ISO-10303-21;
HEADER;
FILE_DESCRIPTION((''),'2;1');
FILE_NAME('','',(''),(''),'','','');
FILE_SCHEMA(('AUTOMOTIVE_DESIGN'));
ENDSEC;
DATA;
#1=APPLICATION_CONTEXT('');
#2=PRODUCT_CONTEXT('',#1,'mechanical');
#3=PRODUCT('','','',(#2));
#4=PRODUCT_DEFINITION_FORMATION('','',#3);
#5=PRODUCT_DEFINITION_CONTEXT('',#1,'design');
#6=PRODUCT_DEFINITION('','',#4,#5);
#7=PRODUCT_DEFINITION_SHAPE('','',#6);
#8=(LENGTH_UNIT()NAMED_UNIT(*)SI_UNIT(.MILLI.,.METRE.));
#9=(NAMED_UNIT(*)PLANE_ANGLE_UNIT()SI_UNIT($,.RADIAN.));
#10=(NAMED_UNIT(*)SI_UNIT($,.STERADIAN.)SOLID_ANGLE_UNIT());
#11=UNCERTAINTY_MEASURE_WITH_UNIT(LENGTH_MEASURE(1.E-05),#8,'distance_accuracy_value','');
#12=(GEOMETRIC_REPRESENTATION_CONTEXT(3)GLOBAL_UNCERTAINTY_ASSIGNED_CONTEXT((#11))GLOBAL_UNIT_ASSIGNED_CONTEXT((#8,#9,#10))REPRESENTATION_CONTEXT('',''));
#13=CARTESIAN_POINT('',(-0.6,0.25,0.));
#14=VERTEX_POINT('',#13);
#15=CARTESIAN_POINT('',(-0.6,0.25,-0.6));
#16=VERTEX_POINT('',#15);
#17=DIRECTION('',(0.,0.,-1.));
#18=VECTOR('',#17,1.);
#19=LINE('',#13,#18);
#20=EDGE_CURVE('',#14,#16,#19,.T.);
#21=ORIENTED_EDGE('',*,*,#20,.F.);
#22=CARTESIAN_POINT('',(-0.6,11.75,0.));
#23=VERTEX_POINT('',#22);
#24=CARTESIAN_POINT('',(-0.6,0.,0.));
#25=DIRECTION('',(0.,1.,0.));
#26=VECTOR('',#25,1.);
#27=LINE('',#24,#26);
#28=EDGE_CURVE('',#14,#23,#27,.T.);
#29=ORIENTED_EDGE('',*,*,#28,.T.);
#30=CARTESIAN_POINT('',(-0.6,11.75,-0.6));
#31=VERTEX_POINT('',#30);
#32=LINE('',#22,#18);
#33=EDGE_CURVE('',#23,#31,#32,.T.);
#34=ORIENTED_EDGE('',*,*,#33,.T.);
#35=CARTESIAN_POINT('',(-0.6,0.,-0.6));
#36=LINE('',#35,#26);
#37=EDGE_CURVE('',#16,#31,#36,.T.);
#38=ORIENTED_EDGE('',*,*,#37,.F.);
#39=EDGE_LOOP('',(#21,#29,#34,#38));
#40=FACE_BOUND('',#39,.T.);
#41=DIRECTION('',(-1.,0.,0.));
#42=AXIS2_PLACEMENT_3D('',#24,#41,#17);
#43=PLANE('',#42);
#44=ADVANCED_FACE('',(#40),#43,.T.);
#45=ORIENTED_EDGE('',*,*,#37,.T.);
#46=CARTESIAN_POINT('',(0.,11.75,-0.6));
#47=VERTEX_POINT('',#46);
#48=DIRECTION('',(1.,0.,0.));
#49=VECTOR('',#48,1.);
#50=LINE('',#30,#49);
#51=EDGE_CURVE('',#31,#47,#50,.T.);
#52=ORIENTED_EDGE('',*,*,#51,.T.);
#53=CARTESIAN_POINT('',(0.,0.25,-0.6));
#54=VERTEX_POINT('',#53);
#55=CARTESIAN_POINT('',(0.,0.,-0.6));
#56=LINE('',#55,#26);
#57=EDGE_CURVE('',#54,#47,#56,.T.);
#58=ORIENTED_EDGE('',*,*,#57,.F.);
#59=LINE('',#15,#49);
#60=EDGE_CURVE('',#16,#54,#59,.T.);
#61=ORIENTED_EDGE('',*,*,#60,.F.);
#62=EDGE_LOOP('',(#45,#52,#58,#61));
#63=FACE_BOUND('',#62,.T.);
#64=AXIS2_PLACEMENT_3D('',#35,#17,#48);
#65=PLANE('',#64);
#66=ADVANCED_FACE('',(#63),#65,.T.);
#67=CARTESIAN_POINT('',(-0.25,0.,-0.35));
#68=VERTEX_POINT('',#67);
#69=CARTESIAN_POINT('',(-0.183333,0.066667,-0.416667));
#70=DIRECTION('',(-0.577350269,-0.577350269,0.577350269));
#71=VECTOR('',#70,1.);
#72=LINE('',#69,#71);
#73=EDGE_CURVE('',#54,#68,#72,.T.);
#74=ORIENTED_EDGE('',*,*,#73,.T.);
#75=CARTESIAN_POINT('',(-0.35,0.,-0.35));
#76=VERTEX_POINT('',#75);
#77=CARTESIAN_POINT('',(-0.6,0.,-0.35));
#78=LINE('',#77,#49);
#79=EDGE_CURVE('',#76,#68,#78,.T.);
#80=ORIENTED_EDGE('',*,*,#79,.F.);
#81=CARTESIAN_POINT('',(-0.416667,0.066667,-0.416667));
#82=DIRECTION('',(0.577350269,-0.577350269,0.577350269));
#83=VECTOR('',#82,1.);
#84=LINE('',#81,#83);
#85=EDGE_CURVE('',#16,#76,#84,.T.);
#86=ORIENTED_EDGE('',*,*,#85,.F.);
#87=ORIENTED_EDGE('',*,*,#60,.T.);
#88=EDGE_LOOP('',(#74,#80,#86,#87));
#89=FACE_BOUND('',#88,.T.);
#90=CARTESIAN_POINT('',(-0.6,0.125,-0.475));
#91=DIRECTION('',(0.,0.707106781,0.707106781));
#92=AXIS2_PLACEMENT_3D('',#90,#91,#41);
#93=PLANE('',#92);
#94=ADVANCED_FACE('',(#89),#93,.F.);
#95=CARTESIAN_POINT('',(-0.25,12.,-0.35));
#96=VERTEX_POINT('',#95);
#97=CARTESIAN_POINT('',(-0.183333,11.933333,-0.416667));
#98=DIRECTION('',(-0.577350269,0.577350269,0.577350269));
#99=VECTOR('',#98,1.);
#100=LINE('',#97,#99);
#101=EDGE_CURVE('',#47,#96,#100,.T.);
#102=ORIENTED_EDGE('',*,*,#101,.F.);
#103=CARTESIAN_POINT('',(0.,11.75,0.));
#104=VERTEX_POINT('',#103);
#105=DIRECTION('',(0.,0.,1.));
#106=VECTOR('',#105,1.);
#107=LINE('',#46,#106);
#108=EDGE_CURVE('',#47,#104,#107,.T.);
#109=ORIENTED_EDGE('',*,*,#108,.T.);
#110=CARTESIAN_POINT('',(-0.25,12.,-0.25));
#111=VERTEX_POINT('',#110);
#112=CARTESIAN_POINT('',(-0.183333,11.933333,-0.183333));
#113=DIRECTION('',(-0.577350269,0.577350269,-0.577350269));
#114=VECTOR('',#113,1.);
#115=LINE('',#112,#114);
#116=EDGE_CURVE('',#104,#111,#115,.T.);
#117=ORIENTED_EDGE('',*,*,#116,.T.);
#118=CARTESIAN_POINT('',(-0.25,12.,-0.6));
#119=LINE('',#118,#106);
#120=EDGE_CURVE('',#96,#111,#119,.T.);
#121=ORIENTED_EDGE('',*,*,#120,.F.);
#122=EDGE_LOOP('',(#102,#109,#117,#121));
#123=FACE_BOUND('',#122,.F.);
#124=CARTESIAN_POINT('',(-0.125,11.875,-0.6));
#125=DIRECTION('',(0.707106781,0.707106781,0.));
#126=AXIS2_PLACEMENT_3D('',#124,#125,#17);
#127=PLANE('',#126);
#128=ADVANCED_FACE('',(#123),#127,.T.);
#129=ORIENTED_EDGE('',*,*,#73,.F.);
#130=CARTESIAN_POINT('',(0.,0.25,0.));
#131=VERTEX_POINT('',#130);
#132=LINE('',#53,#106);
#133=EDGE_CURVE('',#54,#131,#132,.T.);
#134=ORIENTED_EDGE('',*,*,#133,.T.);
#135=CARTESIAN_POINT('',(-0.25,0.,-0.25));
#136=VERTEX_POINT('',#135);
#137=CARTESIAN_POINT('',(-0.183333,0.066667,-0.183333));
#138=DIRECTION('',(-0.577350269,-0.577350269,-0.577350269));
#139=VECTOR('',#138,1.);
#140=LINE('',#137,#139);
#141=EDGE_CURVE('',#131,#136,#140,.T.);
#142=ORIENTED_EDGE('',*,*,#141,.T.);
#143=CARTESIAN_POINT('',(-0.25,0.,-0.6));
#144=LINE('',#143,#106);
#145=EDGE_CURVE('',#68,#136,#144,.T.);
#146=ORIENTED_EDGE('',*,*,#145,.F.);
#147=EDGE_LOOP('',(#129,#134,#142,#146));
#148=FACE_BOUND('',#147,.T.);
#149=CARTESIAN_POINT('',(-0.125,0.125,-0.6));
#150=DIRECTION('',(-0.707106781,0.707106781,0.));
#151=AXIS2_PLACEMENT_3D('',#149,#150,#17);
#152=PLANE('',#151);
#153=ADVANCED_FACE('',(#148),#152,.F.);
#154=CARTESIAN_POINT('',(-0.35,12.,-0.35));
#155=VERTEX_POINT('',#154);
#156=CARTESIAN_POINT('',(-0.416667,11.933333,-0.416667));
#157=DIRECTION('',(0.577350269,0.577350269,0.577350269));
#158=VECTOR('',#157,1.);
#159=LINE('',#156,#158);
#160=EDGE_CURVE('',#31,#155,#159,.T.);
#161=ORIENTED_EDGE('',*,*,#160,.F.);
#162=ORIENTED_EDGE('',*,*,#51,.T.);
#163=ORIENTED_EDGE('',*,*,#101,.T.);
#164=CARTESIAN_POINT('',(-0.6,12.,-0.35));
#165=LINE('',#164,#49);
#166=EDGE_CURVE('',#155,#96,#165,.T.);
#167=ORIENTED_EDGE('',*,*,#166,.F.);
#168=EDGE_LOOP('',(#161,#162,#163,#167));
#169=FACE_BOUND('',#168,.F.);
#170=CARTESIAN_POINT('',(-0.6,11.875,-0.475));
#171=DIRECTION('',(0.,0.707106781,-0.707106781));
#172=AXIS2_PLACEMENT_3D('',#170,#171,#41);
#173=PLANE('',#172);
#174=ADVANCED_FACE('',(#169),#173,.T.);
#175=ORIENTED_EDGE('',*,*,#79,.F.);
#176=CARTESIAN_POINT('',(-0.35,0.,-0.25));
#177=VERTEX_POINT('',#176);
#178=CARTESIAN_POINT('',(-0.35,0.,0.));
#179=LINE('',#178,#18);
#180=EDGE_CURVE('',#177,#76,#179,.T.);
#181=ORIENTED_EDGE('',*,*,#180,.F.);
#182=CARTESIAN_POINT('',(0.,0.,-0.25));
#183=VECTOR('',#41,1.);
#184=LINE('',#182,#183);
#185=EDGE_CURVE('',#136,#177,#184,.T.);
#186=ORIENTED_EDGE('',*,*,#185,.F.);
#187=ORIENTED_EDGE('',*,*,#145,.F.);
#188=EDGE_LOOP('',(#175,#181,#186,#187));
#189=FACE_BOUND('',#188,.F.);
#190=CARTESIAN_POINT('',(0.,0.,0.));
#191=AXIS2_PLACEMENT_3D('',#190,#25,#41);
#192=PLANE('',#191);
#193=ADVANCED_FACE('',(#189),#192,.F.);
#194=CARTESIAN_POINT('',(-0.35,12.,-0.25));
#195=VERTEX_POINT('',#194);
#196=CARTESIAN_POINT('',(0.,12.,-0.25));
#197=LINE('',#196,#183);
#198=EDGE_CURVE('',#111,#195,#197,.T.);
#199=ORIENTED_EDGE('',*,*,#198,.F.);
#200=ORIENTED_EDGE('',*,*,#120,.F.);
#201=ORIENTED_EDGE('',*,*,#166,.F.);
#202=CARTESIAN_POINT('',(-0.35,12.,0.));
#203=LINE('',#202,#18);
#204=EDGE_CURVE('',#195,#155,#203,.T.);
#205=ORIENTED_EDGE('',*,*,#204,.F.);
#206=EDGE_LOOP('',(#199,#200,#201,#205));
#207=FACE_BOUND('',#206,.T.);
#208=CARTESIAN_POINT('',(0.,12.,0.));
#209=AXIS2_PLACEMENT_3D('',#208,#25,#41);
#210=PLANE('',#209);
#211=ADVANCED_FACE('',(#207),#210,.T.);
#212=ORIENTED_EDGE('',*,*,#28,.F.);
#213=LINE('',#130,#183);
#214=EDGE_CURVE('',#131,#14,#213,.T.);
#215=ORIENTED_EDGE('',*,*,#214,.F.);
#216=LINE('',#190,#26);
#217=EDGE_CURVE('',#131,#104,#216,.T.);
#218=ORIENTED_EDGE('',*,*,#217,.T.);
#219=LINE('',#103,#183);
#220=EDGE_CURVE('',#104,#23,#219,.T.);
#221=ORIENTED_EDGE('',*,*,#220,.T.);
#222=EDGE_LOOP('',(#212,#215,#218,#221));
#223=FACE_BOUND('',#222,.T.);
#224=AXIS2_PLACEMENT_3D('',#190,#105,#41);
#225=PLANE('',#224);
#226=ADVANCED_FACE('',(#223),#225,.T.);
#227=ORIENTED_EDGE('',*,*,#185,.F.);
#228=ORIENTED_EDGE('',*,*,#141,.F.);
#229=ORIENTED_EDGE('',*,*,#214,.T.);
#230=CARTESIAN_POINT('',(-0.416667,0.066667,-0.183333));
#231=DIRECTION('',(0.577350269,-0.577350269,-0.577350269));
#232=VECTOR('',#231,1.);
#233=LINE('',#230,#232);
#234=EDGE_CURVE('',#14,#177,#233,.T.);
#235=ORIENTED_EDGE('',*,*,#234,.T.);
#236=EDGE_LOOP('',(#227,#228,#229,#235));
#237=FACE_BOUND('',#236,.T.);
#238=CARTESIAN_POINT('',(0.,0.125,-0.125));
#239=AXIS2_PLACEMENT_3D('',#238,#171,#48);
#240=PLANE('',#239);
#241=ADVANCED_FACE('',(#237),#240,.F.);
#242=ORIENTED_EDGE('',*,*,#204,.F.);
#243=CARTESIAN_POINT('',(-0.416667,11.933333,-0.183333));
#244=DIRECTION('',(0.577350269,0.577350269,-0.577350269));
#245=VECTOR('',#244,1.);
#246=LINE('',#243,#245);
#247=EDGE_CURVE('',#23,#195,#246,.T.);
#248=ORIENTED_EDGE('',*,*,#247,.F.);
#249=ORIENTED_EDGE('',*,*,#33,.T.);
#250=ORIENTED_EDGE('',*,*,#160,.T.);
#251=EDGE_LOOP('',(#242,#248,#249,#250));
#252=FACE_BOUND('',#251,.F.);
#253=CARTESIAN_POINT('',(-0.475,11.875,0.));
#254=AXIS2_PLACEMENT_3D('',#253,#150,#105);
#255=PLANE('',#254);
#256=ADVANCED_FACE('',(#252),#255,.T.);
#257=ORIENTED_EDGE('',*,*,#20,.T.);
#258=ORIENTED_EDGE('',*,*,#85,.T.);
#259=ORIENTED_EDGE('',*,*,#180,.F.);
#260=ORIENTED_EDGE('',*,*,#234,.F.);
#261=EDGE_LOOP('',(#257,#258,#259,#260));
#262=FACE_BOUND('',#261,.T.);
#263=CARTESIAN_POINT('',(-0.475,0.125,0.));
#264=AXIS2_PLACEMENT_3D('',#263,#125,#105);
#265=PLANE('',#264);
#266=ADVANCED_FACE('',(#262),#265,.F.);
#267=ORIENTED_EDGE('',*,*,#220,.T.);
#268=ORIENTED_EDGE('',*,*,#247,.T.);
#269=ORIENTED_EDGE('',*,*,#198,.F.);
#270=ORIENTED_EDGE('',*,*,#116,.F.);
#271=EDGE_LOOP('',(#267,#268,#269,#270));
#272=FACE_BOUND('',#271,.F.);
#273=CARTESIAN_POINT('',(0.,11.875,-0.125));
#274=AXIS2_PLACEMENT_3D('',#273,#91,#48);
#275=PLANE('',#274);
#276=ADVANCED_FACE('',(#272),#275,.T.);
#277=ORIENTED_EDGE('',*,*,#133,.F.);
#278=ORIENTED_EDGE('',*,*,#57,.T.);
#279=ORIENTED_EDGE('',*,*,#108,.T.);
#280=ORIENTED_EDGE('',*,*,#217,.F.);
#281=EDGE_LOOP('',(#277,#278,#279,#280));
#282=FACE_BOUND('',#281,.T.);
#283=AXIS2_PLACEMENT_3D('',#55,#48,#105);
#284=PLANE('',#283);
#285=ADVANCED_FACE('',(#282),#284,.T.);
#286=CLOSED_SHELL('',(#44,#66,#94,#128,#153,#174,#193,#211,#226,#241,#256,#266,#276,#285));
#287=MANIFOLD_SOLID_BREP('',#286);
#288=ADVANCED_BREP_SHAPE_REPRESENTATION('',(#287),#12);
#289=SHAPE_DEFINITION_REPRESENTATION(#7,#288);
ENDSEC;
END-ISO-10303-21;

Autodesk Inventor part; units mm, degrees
ref_plane "YZ Plane" through (0, 0, 0) normal (1, 0, 0) x (0, 1, 0)
ref_plane "XZ Plane" through (0, 0, 0) normal (0, 1, 0) x (-1, 0, 0)
ref_plane "XY Plane" through (0, 0, 0) normal (0, 0, 1) x (1, 0, 0)
sketch "Sketch1" plane through (0, 0, 0) normal (0, 1, 0) x (-1, 0, 0)
  line L0 (0, 0) -> (0.6, 0)
  line L1 (0.6, 0) -> (0.6, -0.6)
  line L2 (0.6, -0.6) -> (0, -0.6)
  line L3 (0, -0.6) -> (0, 0)
  dimension "d0" = 0.6
extrude "Extrusion1" add sketch "Sketch1" along normal blind 12
chamfer "Chamfer1" distance 0.25 angle 45 8 edges at (0, 12, -0.3) (-0.3, 12, 0) (-0.6, 12, -0.3) (-0.3, 12, -0.6) (-0.6, 0, -0.3) (-0.3, 0, -0.6) (0, 0, -0.3) (-0.3, 0, 0)
properties part number "Pin"
